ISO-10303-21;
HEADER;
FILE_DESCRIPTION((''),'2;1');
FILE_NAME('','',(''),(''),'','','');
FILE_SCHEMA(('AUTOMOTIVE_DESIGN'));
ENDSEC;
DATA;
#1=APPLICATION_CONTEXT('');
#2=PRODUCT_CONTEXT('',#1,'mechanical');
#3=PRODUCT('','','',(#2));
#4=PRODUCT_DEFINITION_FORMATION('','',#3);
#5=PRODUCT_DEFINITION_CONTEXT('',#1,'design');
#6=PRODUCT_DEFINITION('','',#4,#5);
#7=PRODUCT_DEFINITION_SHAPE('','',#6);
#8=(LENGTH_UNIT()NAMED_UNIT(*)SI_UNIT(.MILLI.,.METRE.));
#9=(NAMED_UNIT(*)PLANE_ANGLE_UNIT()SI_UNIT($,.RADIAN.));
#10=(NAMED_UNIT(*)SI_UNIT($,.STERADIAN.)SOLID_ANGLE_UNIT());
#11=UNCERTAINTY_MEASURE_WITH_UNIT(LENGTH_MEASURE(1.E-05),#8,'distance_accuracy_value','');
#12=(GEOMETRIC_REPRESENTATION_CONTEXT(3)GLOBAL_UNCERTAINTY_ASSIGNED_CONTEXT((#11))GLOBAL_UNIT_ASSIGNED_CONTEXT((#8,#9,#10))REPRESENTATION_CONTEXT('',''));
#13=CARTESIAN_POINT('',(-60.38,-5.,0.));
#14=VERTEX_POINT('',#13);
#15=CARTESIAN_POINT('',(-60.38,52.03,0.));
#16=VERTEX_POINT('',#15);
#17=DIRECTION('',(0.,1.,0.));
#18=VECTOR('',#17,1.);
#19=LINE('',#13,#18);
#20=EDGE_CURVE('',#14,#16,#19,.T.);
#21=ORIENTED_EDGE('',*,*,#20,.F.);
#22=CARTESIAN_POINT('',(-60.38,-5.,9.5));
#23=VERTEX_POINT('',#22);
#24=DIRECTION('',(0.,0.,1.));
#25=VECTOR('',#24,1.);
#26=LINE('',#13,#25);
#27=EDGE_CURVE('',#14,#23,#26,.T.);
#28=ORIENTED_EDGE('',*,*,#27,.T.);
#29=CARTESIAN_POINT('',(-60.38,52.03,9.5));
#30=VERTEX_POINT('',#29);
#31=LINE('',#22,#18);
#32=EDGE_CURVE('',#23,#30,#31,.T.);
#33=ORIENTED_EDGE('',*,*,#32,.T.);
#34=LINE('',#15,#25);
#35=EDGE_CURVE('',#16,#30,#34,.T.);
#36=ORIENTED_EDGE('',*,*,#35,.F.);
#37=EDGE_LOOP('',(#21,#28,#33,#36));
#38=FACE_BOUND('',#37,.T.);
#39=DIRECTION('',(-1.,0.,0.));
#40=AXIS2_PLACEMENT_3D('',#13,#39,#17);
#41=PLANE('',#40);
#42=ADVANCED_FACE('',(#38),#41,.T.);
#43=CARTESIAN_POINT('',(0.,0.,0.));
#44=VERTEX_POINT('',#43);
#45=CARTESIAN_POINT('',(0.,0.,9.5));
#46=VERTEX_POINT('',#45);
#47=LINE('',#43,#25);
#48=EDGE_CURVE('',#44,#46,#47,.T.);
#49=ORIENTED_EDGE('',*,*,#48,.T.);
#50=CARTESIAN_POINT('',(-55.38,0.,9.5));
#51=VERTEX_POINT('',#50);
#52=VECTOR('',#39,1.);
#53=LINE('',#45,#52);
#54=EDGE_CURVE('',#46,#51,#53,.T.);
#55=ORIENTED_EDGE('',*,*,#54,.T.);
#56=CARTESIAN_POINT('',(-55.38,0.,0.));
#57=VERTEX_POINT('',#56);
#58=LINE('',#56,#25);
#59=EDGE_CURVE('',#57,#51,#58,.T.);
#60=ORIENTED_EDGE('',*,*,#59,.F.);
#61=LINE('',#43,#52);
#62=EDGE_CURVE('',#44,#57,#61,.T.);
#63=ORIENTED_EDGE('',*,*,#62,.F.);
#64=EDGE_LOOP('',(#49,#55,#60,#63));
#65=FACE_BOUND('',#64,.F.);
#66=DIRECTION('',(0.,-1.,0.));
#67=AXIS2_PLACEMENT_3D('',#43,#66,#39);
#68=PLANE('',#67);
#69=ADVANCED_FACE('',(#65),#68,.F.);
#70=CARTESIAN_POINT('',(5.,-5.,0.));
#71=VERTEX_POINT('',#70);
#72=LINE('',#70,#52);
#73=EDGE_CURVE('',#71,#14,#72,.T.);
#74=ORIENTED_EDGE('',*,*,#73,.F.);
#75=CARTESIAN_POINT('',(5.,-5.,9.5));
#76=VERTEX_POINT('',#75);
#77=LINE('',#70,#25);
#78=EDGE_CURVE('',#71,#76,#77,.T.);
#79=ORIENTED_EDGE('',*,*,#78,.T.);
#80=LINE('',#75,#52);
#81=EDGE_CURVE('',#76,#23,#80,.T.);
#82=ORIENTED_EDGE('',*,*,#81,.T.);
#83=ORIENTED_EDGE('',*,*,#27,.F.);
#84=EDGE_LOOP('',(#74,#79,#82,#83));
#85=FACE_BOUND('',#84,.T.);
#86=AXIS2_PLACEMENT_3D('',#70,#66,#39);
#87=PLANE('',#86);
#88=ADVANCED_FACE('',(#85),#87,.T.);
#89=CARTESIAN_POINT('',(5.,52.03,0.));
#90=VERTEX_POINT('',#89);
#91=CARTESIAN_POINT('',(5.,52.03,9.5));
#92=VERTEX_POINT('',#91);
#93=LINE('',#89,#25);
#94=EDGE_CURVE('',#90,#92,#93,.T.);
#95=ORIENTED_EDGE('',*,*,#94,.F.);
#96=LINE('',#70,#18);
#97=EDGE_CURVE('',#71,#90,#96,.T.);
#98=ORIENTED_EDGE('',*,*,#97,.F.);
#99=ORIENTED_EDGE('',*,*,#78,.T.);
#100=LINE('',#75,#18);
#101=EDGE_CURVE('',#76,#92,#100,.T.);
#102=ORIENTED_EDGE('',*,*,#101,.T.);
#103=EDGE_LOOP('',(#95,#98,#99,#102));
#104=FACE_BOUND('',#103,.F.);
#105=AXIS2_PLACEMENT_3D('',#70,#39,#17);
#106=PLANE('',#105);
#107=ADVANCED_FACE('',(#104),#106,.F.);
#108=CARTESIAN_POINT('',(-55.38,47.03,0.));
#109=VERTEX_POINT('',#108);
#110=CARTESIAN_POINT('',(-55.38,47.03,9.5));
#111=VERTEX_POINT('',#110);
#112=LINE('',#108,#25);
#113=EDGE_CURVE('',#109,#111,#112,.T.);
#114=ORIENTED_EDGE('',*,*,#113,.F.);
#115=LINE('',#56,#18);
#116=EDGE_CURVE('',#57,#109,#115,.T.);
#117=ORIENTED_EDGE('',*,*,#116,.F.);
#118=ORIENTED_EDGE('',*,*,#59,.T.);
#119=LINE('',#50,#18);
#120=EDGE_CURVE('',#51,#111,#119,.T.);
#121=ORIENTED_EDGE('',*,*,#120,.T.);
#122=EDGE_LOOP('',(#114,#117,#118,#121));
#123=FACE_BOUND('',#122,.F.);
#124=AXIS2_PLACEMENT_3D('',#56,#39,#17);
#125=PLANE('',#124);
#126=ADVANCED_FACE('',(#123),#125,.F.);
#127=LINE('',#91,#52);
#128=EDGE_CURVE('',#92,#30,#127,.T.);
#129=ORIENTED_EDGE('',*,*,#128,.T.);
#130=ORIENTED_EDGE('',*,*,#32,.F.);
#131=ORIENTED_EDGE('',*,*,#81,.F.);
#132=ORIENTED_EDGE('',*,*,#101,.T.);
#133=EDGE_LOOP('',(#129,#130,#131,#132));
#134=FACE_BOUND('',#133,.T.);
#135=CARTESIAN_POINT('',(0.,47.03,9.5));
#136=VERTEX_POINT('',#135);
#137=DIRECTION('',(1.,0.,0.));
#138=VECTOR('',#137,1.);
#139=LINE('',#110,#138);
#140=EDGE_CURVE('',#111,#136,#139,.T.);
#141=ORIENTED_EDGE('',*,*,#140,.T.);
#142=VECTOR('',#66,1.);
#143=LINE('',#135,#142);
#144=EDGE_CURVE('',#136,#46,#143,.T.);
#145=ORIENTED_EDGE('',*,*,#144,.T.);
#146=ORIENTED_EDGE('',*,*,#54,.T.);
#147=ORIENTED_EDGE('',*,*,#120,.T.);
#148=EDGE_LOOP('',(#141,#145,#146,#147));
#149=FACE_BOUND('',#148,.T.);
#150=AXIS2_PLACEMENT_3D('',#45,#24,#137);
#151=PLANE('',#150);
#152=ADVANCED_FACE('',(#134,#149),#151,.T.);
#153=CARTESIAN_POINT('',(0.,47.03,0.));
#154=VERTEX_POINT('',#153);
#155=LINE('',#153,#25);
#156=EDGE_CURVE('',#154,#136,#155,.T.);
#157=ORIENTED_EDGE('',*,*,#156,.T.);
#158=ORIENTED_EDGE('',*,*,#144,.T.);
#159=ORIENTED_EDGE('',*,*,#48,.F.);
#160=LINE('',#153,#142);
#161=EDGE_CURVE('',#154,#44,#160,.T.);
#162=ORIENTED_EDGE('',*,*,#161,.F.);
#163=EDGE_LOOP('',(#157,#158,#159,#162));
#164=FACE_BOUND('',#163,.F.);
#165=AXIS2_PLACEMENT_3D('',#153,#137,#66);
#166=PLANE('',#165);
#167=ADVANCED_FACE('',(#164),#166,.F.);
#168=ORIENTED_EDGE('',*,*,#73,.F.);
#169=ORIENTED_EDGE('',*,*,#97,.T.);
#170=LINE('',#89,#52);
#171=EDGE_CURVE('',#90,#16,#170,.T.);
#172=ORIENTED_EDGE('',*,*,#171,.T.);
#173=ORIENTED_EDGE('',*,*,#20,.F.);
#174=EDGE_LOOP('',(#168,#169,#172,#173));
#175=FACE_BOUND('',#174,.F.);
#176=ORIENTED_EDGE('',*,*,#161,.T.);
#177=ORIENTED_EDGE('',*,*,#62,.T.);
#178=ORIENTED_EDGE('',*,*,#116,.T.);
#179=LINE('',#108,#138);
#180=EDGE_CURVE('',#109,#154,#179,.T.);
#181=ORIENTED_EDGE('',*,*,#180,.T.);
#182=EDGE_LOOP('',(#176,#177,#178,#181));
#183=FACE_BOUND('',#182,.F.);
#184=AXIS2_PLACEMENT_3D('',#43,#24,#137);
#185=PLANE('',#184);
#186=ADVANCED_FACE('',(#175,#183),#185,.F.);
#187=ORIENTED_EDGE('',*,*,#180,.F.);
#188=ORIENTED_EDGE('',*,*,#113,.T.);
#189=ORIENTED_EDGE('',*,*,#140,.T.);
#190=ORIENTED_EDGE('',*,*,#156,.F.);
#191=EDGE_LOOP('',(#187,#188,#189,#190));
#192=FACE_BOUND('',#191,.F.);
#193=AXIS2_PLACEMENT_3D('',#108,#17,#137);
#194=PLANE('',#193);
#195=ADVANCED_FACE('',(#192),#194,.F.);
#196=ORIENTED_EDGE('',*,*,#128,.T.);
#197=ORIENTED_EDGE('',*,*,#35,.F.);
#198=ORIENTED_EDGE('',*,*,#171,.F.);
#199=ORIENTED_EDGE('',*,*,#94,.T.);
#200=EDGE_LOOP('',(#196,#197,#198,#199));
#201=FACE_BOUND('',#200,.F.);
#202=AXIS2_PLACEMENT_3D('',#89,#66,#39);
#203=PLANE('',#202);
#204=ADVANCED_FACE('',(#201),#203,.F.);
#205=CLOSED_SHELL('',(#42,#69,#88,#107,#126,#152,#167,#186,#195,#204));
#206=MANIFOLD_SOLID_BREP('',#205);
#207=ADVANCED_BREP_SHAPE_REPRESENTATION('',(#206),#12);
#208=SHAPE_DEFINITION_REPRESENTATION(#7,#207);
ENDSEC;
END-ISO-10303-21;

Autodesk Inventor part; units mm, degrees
ref_plane "YZ Plane" through (0, 0, 0) normal (1, 0, 0) x (0, 1, 0)
ref_plane "XZ Plane" through (0, 0, 0) normal (0, 1, 0) x (-1, 0, 0)
ref_plane "XY Plane" through (0, 0, 0) normal (0, 0, 1) x (1, 0, 0)
sketch "Sketch3" plane through (0, 0, 0) normal (0, 0, 1) x (1, 0, 0)
  line L0 (0, 0) -> (-55.38, 0)
  line L1 (-55.38, 0) -> (-55.38, 47.03)
  line L2 (-55.38, 47.03) -> (0, 47.03)
  line L3 (0, 47.03) -> (0, 0)
  line L4 (5, -5) -> (5, 52.03)
  line L5 (5, 52.03) -> (-60.38, 52.03)
  line L6 (5, -5) -> (-60.38, -5)
  line L7 (-60.38, -5) -> (-60.38, 52.03)
  dimension "d26" = 47.03
  dimension "d27" = 55.38
extrude "Extrusion10" add sketch "Sketch3" along normal blind 9.5
properties part number "End-Effector"
